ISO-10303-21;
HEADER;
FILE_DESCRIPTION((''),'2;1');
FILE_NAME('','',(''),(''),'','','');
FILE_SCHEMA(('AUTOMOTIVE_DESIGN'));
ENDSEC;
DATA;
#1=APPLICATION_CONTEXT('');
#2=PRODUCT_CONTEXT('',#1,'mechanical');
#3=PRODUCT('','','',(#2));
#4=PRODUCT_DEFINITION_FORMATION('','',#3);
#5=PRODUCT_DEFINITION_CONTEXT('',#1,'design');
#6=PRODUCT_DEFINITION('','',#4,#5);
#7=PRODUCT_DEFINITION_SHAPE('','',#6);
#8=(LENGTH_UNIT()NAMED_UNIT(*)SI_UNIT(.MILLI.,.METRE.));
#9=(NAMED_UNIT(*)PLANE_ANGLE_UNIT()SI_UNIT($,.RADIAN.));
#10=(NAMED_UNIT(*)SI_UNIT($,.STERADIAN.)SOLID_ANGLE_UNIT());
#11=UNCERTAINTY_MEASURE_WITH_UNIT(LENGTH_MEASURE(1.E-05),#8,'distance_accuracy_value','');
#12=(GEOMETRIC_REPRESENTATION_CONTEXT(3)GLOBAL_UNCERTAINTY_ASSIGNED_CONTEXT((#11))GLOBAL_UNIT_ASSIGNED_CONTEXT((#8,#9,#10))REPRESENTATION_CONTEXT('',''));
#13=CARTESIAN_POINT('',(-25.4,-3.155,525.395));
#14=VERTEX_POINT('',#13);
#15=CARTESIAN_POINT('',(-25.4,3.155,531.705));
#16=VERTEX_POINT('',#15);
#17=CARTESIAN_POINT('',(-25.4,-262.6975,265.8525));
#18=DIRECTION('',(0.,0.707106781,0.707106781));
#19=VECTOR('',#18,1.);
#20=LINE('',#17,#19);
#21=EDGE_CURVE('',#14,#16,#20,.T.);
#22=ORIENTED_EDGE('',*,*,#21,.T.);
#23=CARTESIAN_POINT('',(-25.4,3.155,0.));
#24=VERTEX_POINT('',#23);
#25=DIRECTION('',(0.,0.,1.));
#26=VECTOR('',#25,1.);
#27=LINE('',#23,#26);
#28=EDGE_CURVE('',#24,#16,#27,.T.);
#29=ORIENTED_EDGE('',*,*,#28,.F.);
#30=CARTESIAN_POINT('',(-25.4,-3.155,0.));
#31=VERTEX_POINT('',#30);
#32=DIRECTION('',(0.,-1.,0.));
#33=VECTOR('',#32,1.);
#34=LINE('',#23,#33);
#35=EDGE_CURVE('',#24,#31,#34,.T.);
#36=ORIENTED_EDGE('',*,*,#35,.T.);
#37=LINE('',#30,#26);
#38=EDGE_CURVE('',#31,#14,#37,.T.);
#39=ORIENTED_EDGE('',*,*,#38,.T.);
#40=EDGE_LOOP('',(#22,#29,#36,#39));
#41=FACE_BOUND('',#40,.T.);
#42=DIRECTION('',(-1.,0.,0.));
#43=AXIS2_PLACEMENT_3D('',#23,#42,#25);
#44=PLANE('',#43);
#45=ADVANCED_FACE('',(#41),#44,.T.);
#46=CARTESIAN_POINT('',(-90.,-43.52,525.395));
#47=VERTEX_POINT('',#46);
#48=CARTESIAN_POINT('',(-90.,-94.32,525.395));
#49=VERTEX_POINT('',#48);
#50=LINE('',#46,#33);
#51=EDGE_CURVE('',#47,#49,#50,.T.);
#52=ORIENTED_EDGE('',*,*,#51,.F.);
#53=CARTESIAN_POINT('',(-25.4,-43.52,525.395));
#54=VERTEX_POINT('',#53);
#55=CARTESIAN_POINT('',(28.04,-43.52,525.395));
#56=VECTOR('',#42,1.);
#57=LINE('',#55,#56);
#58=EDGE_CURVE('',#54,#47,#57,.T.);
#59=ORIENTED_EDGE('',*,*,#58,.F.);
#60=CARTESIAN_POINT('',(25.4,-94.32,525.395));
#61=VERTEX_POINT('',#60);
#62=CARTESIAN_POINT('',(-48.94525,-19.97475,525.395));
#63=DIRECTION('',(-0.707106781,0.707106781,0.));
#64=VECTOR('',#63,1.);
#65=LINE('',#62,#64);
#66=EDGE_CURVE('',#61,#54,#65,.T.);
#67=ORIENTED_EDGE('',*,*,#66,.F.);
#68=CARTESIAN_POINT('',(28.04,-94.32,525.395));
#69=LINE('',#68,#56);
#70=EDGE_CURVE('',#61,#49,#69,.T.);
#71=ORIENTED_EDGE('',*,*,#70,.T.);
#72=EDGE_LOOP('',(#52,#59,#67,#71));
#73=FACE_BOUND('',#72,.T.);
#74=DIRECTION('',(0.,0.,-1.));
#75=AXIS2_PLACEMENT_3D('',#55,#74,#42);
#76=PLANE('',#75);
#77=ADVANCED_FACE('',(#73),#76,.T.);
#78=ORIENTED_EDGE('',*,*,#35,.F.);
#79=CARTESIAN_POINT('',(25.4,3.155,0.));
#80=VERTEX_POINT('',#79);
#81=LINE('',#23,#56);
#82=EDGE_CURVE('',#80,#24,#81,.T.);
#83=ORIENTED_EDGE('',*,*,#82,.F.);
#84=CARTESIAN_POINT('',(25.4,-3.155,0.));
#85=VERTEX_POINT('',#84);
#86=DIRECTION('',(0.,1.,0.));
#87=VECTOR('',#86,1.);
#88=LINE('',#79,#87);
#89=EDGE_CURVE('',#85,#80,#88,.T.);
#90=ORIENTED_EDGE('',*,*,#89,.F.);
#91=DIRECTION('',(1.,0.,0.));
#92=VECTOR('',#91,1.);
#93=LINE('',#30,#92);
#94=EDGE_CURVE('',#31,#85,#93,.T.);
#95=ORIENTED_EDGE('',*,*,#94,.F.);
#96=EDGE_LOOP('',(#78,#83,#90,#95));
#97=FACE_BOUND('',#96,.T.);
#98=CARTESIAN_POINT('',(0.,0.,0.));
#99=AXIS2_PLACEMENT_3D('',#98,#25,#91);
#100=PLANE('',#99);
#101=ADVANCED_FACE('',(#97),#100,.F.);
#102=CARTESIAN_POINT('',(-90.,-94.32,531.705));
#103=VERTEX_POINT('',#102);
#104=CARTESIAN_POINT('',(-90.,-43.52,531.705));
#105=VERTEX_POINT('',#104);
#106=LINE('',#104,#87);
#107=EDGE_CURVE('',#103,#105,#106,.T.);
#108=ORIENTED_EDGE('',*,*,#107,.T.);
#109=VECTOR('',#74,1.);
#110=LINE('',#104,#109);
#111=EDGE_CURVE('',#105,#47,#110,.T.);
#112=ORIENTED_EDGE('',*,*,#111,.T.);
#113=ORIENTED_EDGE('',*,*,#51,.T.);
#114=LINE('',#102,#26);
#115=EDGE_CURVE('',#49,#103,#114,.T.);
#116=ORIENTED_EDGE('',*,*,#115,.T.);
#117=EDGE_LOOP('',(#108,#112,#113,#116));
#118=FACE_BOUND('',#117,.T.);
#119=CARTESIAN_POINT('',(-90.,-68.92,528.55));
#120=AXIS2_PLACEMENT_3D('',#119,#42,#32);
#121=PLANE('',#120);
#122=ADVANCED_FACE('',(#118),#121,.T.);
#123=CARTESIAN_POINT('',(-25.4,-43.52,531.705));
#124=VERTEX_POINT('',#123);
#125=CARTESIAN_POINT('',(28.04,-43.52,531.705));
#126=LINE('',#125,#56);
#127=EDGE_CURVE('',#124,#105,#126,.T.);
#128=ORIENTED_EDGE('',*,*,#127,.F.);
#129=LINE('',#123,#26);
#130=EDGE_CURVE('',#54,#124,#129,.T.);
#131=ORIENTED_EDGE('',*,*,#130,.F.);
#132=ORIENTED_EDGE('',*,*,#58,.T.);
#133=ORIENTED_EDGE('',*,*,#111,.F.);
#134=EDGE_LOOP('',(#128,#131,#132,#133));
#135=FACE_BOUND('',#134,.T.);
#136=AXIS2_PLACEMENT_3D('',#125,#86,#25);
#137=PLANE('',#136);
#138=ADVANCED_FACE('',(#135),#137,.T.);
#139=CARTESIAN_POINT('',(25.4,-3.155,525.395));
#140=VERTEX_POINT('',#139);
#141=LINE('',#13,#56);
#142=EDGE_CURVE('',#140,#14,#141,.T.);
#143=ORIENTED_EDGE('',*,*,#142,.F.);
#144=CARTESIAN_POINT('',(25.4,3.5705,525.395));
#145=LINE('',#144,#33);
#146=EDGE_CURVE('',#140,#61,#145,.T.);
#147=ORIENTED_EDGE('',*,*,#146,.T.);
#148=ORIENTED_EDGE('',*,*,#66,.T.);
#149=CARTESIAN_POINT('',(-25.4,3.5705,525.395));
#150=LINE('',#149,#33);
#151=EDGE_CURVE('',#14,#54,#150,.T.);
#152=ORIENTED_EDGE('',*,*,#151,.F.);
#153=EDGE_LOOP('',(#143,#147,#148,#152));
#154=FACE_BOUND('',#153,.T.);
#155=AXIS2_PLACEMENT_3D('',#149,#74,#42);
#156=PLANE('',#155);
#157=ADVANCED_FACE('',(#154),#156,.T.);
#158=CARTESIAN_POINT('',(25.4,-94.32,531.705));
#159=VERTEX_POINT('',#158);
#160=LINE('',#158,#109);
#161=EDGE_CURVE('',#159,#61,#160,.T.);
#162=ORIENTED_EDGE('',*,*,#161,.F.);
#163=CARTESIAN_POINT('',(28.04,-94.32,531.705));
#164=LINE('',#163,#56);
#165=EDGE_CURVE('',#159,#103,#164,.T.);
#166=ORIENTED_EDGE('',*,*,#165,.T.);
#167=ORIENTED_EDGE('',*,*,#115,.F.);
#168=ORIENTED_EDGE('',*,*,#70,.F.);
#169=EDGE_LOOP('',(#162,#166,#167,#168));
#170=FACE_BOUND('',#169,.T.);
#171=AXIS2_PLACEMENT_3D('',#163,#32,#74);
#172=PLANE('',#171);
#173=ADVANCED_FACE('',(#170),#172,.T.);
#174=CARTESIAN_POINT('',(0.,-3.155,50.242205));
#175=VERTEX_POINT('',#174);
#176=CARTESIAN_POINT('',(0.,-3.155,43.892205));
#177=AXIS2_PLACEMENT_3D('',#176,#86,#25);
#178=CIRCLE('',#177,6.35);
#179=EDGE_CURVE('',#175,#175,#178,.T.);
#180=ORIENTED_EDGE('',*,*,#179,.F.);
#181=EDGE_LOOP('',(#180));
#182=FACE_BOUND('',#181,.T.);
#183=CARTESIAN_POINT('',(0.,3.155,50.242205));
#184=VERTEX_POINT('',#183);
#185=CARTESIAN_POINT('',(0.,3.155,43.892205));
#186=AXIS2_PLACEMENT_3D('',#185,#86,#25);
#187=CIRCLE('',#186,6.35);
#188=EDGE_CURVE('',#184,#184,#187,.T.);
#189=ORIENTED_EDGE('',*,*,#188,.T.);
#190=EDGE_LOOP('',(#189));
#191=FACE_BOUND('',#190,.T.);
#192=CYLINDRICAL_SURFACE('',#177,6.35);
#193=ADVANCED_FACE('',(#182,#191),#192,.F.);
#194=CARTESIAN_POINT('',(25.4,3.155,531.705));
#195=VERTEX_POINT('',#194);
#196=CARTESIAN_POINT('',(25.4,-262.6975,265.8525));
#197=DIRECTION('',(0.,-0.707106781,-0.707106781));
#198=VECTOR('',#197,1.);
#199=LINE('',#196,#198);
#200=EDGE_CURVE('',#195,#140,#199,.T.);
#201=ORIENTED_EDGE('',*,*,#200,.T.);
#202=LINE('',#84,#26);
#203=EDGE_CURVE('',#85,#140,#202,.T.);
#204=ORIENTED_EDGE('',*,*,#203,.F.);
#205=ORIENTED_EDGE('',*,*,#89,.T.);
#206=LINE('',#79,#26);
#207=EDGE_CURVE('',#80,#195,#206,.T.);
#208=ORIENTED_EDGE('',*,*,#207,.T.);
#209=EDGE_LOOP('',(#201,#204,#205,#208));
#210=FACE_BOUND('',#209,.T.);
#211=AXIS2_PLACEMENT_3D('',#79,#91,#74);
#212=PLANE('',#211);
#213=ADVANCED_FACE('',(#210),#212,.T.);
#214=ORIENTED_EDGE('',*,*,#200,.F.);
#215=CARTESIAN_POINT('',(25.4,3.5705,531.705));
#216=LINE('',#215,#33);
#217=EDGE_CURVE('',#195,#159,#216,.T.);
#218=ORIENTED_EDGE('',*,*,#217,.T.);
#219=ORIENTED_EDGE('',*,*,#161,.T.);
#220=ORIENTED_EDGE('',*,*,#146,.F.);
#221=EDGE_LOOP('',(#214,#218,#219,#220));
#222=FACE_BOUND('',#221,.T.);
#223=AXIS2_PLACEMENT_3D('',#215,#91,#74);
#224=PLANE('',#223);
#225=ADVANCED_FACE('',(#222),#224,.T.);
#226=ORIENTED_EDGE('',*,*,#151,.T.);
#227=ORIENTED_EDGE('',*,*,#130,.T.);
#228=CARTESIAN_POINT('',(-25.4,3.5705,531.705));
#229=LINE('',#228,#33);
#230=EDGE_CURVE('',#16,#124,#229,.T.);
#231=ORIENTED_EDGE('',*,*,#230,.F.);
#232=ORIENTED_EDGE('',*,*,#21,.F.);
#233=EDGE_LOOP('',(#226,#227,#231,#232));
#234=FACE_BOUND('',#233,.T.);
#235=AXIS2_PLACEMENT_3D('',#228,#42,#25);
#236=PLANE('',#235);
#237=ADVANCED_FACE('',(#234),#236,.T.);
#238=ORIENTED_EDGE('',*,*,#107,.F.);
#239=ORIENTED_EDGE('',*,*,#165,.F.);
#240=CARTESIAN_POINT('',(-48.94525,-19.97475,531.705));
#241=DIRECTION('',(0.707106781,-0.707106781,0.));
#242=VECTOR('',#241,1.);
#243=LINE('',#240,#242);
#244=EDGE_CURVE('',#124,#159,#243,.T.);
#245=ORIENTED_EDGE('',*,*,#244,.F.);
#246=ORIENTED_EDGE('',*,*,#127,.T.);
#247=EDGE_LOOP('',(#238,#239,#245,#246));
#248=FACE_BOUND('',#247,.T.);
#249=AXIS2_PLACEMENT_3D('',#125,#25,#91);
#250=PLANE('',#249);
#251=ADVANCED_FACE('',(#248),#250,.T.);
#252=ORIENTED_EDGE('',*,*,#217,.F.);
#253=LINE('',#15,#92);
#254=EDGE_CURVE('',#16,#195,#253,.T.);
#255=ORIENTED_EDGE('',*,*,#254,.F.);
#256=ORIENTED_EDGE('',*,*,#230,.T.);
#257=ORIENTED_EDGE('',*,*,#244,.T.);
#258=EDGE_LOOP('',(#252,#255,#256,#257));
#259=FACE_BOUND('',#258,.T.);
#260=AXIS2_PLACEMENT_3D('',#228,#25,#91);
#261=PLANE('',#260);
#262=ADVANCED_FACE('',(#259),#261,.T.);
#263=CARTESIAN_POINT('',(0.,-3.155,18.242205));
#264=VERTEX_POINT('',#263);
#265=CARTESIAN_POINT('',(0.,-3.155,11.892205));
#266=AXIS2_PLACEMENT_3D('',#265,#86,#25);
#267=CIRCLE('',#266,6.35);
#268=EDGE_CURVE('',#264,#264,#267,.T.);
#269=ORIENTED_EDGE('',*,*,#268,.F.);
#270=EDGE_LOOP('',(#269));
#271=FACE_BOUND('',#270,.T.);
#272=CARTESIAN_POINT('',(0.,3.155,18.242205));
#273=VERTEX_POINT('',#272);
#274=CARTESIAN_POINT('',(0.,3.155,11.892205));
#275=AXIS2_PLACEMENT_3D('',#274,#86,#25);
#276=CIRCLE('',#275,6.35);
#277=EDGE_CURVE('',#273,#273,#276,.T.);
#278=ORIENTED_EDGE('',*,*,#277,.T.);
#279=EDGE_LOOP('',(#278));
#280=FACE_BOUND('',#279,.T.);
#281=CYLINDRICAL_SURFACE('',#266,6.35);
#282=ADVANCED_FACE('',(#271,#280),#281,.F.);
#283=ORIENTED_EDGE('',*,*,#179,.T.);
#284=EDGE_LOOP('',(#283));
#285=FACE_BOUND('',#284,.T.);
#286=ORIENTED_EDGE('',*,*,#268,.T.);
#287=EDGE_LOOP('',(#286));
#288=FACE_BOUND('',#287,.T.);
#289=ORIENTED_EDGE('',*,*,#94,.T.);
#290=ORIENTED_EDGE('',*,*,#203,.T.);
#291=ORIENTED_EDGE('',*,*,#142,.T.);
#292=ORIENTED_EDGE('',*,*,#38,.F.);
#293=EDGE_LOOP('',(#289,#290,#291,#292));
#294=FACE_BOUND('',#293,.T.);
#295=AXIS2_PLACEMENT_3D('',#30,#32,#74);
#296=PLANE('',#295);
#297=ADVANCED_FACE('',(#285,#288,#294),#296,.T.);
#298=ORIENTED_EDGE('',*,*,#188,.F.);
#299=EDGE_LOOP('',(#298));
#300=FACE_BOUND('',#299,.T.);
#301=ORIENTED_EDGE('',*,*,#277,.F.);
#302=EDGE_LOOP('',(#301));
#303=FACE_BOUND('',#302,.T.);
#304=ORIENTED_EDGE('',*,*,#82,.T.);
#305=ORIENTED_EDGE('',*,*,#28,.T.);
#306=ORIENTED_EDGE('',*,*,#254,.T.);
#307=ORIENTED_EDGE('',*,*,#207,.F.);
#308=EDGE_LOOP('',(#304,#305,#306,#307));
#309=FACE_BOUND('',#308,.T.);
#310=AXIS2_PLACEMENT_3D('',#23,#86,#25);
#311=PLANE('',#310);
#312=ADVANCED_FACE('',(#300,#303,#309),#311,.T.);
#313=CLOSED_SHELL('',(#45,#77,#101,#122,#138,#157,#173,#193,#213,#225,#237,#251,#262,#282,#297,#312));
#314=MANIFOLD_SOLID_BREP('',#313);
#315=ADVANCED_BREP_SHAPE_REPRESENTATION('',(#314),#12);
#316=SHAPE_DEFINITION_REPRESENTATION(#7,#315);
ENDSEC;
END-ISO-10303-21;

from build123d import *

# Parameters (mm, degrees)
CROQUIS1_W            = 50.8
CROQUIS1_H            = 6.31
CROQUIS2_R            = 6.35
CORTAR_EXTRUIR1_DEPTH = 6.31


with BuildPart() as part:
    # Barrer1: sweep along a curve in space
    with BuildLine() as barrer1_path:
        Line((0, 0, 0), (0, 0, 528.55))
        Line((0, 0, 528.55), (0, -68.92, 528.55))
        Line((0, -68.92, 528.55), (-90, -68.92, 528.55))
    # Croquis1 → Barrer1 (sweep)
    with BuildSketch(Plane.XY):
        Rectangle(CROQUIS1_W, CROQUIS1_H)
    sweep(path=barrer1_path.line, transition=Transition.RIGHT)

    # Croquis2 → Cortar-Extruir1 (cut)
    with BuildSketch(Plane(origin=(0, 3.155, 0), x_dir=(1, 0, 0), z_dir=(0, 1, 0))):
        with Locations(Location((0, -43.892204666, 0), (0, 0, 270))):
            Circle(CROQUIS2_R)
        with Locations(Location((0, -11.892204666, 0), (0, 0, 270))):
            Circle(CROQUIS2_R)
    extrude(amount=-CORTAR_EXTRUIR1_DEPTH, mode=Mode.SUBTRACT)


solid = part.part
